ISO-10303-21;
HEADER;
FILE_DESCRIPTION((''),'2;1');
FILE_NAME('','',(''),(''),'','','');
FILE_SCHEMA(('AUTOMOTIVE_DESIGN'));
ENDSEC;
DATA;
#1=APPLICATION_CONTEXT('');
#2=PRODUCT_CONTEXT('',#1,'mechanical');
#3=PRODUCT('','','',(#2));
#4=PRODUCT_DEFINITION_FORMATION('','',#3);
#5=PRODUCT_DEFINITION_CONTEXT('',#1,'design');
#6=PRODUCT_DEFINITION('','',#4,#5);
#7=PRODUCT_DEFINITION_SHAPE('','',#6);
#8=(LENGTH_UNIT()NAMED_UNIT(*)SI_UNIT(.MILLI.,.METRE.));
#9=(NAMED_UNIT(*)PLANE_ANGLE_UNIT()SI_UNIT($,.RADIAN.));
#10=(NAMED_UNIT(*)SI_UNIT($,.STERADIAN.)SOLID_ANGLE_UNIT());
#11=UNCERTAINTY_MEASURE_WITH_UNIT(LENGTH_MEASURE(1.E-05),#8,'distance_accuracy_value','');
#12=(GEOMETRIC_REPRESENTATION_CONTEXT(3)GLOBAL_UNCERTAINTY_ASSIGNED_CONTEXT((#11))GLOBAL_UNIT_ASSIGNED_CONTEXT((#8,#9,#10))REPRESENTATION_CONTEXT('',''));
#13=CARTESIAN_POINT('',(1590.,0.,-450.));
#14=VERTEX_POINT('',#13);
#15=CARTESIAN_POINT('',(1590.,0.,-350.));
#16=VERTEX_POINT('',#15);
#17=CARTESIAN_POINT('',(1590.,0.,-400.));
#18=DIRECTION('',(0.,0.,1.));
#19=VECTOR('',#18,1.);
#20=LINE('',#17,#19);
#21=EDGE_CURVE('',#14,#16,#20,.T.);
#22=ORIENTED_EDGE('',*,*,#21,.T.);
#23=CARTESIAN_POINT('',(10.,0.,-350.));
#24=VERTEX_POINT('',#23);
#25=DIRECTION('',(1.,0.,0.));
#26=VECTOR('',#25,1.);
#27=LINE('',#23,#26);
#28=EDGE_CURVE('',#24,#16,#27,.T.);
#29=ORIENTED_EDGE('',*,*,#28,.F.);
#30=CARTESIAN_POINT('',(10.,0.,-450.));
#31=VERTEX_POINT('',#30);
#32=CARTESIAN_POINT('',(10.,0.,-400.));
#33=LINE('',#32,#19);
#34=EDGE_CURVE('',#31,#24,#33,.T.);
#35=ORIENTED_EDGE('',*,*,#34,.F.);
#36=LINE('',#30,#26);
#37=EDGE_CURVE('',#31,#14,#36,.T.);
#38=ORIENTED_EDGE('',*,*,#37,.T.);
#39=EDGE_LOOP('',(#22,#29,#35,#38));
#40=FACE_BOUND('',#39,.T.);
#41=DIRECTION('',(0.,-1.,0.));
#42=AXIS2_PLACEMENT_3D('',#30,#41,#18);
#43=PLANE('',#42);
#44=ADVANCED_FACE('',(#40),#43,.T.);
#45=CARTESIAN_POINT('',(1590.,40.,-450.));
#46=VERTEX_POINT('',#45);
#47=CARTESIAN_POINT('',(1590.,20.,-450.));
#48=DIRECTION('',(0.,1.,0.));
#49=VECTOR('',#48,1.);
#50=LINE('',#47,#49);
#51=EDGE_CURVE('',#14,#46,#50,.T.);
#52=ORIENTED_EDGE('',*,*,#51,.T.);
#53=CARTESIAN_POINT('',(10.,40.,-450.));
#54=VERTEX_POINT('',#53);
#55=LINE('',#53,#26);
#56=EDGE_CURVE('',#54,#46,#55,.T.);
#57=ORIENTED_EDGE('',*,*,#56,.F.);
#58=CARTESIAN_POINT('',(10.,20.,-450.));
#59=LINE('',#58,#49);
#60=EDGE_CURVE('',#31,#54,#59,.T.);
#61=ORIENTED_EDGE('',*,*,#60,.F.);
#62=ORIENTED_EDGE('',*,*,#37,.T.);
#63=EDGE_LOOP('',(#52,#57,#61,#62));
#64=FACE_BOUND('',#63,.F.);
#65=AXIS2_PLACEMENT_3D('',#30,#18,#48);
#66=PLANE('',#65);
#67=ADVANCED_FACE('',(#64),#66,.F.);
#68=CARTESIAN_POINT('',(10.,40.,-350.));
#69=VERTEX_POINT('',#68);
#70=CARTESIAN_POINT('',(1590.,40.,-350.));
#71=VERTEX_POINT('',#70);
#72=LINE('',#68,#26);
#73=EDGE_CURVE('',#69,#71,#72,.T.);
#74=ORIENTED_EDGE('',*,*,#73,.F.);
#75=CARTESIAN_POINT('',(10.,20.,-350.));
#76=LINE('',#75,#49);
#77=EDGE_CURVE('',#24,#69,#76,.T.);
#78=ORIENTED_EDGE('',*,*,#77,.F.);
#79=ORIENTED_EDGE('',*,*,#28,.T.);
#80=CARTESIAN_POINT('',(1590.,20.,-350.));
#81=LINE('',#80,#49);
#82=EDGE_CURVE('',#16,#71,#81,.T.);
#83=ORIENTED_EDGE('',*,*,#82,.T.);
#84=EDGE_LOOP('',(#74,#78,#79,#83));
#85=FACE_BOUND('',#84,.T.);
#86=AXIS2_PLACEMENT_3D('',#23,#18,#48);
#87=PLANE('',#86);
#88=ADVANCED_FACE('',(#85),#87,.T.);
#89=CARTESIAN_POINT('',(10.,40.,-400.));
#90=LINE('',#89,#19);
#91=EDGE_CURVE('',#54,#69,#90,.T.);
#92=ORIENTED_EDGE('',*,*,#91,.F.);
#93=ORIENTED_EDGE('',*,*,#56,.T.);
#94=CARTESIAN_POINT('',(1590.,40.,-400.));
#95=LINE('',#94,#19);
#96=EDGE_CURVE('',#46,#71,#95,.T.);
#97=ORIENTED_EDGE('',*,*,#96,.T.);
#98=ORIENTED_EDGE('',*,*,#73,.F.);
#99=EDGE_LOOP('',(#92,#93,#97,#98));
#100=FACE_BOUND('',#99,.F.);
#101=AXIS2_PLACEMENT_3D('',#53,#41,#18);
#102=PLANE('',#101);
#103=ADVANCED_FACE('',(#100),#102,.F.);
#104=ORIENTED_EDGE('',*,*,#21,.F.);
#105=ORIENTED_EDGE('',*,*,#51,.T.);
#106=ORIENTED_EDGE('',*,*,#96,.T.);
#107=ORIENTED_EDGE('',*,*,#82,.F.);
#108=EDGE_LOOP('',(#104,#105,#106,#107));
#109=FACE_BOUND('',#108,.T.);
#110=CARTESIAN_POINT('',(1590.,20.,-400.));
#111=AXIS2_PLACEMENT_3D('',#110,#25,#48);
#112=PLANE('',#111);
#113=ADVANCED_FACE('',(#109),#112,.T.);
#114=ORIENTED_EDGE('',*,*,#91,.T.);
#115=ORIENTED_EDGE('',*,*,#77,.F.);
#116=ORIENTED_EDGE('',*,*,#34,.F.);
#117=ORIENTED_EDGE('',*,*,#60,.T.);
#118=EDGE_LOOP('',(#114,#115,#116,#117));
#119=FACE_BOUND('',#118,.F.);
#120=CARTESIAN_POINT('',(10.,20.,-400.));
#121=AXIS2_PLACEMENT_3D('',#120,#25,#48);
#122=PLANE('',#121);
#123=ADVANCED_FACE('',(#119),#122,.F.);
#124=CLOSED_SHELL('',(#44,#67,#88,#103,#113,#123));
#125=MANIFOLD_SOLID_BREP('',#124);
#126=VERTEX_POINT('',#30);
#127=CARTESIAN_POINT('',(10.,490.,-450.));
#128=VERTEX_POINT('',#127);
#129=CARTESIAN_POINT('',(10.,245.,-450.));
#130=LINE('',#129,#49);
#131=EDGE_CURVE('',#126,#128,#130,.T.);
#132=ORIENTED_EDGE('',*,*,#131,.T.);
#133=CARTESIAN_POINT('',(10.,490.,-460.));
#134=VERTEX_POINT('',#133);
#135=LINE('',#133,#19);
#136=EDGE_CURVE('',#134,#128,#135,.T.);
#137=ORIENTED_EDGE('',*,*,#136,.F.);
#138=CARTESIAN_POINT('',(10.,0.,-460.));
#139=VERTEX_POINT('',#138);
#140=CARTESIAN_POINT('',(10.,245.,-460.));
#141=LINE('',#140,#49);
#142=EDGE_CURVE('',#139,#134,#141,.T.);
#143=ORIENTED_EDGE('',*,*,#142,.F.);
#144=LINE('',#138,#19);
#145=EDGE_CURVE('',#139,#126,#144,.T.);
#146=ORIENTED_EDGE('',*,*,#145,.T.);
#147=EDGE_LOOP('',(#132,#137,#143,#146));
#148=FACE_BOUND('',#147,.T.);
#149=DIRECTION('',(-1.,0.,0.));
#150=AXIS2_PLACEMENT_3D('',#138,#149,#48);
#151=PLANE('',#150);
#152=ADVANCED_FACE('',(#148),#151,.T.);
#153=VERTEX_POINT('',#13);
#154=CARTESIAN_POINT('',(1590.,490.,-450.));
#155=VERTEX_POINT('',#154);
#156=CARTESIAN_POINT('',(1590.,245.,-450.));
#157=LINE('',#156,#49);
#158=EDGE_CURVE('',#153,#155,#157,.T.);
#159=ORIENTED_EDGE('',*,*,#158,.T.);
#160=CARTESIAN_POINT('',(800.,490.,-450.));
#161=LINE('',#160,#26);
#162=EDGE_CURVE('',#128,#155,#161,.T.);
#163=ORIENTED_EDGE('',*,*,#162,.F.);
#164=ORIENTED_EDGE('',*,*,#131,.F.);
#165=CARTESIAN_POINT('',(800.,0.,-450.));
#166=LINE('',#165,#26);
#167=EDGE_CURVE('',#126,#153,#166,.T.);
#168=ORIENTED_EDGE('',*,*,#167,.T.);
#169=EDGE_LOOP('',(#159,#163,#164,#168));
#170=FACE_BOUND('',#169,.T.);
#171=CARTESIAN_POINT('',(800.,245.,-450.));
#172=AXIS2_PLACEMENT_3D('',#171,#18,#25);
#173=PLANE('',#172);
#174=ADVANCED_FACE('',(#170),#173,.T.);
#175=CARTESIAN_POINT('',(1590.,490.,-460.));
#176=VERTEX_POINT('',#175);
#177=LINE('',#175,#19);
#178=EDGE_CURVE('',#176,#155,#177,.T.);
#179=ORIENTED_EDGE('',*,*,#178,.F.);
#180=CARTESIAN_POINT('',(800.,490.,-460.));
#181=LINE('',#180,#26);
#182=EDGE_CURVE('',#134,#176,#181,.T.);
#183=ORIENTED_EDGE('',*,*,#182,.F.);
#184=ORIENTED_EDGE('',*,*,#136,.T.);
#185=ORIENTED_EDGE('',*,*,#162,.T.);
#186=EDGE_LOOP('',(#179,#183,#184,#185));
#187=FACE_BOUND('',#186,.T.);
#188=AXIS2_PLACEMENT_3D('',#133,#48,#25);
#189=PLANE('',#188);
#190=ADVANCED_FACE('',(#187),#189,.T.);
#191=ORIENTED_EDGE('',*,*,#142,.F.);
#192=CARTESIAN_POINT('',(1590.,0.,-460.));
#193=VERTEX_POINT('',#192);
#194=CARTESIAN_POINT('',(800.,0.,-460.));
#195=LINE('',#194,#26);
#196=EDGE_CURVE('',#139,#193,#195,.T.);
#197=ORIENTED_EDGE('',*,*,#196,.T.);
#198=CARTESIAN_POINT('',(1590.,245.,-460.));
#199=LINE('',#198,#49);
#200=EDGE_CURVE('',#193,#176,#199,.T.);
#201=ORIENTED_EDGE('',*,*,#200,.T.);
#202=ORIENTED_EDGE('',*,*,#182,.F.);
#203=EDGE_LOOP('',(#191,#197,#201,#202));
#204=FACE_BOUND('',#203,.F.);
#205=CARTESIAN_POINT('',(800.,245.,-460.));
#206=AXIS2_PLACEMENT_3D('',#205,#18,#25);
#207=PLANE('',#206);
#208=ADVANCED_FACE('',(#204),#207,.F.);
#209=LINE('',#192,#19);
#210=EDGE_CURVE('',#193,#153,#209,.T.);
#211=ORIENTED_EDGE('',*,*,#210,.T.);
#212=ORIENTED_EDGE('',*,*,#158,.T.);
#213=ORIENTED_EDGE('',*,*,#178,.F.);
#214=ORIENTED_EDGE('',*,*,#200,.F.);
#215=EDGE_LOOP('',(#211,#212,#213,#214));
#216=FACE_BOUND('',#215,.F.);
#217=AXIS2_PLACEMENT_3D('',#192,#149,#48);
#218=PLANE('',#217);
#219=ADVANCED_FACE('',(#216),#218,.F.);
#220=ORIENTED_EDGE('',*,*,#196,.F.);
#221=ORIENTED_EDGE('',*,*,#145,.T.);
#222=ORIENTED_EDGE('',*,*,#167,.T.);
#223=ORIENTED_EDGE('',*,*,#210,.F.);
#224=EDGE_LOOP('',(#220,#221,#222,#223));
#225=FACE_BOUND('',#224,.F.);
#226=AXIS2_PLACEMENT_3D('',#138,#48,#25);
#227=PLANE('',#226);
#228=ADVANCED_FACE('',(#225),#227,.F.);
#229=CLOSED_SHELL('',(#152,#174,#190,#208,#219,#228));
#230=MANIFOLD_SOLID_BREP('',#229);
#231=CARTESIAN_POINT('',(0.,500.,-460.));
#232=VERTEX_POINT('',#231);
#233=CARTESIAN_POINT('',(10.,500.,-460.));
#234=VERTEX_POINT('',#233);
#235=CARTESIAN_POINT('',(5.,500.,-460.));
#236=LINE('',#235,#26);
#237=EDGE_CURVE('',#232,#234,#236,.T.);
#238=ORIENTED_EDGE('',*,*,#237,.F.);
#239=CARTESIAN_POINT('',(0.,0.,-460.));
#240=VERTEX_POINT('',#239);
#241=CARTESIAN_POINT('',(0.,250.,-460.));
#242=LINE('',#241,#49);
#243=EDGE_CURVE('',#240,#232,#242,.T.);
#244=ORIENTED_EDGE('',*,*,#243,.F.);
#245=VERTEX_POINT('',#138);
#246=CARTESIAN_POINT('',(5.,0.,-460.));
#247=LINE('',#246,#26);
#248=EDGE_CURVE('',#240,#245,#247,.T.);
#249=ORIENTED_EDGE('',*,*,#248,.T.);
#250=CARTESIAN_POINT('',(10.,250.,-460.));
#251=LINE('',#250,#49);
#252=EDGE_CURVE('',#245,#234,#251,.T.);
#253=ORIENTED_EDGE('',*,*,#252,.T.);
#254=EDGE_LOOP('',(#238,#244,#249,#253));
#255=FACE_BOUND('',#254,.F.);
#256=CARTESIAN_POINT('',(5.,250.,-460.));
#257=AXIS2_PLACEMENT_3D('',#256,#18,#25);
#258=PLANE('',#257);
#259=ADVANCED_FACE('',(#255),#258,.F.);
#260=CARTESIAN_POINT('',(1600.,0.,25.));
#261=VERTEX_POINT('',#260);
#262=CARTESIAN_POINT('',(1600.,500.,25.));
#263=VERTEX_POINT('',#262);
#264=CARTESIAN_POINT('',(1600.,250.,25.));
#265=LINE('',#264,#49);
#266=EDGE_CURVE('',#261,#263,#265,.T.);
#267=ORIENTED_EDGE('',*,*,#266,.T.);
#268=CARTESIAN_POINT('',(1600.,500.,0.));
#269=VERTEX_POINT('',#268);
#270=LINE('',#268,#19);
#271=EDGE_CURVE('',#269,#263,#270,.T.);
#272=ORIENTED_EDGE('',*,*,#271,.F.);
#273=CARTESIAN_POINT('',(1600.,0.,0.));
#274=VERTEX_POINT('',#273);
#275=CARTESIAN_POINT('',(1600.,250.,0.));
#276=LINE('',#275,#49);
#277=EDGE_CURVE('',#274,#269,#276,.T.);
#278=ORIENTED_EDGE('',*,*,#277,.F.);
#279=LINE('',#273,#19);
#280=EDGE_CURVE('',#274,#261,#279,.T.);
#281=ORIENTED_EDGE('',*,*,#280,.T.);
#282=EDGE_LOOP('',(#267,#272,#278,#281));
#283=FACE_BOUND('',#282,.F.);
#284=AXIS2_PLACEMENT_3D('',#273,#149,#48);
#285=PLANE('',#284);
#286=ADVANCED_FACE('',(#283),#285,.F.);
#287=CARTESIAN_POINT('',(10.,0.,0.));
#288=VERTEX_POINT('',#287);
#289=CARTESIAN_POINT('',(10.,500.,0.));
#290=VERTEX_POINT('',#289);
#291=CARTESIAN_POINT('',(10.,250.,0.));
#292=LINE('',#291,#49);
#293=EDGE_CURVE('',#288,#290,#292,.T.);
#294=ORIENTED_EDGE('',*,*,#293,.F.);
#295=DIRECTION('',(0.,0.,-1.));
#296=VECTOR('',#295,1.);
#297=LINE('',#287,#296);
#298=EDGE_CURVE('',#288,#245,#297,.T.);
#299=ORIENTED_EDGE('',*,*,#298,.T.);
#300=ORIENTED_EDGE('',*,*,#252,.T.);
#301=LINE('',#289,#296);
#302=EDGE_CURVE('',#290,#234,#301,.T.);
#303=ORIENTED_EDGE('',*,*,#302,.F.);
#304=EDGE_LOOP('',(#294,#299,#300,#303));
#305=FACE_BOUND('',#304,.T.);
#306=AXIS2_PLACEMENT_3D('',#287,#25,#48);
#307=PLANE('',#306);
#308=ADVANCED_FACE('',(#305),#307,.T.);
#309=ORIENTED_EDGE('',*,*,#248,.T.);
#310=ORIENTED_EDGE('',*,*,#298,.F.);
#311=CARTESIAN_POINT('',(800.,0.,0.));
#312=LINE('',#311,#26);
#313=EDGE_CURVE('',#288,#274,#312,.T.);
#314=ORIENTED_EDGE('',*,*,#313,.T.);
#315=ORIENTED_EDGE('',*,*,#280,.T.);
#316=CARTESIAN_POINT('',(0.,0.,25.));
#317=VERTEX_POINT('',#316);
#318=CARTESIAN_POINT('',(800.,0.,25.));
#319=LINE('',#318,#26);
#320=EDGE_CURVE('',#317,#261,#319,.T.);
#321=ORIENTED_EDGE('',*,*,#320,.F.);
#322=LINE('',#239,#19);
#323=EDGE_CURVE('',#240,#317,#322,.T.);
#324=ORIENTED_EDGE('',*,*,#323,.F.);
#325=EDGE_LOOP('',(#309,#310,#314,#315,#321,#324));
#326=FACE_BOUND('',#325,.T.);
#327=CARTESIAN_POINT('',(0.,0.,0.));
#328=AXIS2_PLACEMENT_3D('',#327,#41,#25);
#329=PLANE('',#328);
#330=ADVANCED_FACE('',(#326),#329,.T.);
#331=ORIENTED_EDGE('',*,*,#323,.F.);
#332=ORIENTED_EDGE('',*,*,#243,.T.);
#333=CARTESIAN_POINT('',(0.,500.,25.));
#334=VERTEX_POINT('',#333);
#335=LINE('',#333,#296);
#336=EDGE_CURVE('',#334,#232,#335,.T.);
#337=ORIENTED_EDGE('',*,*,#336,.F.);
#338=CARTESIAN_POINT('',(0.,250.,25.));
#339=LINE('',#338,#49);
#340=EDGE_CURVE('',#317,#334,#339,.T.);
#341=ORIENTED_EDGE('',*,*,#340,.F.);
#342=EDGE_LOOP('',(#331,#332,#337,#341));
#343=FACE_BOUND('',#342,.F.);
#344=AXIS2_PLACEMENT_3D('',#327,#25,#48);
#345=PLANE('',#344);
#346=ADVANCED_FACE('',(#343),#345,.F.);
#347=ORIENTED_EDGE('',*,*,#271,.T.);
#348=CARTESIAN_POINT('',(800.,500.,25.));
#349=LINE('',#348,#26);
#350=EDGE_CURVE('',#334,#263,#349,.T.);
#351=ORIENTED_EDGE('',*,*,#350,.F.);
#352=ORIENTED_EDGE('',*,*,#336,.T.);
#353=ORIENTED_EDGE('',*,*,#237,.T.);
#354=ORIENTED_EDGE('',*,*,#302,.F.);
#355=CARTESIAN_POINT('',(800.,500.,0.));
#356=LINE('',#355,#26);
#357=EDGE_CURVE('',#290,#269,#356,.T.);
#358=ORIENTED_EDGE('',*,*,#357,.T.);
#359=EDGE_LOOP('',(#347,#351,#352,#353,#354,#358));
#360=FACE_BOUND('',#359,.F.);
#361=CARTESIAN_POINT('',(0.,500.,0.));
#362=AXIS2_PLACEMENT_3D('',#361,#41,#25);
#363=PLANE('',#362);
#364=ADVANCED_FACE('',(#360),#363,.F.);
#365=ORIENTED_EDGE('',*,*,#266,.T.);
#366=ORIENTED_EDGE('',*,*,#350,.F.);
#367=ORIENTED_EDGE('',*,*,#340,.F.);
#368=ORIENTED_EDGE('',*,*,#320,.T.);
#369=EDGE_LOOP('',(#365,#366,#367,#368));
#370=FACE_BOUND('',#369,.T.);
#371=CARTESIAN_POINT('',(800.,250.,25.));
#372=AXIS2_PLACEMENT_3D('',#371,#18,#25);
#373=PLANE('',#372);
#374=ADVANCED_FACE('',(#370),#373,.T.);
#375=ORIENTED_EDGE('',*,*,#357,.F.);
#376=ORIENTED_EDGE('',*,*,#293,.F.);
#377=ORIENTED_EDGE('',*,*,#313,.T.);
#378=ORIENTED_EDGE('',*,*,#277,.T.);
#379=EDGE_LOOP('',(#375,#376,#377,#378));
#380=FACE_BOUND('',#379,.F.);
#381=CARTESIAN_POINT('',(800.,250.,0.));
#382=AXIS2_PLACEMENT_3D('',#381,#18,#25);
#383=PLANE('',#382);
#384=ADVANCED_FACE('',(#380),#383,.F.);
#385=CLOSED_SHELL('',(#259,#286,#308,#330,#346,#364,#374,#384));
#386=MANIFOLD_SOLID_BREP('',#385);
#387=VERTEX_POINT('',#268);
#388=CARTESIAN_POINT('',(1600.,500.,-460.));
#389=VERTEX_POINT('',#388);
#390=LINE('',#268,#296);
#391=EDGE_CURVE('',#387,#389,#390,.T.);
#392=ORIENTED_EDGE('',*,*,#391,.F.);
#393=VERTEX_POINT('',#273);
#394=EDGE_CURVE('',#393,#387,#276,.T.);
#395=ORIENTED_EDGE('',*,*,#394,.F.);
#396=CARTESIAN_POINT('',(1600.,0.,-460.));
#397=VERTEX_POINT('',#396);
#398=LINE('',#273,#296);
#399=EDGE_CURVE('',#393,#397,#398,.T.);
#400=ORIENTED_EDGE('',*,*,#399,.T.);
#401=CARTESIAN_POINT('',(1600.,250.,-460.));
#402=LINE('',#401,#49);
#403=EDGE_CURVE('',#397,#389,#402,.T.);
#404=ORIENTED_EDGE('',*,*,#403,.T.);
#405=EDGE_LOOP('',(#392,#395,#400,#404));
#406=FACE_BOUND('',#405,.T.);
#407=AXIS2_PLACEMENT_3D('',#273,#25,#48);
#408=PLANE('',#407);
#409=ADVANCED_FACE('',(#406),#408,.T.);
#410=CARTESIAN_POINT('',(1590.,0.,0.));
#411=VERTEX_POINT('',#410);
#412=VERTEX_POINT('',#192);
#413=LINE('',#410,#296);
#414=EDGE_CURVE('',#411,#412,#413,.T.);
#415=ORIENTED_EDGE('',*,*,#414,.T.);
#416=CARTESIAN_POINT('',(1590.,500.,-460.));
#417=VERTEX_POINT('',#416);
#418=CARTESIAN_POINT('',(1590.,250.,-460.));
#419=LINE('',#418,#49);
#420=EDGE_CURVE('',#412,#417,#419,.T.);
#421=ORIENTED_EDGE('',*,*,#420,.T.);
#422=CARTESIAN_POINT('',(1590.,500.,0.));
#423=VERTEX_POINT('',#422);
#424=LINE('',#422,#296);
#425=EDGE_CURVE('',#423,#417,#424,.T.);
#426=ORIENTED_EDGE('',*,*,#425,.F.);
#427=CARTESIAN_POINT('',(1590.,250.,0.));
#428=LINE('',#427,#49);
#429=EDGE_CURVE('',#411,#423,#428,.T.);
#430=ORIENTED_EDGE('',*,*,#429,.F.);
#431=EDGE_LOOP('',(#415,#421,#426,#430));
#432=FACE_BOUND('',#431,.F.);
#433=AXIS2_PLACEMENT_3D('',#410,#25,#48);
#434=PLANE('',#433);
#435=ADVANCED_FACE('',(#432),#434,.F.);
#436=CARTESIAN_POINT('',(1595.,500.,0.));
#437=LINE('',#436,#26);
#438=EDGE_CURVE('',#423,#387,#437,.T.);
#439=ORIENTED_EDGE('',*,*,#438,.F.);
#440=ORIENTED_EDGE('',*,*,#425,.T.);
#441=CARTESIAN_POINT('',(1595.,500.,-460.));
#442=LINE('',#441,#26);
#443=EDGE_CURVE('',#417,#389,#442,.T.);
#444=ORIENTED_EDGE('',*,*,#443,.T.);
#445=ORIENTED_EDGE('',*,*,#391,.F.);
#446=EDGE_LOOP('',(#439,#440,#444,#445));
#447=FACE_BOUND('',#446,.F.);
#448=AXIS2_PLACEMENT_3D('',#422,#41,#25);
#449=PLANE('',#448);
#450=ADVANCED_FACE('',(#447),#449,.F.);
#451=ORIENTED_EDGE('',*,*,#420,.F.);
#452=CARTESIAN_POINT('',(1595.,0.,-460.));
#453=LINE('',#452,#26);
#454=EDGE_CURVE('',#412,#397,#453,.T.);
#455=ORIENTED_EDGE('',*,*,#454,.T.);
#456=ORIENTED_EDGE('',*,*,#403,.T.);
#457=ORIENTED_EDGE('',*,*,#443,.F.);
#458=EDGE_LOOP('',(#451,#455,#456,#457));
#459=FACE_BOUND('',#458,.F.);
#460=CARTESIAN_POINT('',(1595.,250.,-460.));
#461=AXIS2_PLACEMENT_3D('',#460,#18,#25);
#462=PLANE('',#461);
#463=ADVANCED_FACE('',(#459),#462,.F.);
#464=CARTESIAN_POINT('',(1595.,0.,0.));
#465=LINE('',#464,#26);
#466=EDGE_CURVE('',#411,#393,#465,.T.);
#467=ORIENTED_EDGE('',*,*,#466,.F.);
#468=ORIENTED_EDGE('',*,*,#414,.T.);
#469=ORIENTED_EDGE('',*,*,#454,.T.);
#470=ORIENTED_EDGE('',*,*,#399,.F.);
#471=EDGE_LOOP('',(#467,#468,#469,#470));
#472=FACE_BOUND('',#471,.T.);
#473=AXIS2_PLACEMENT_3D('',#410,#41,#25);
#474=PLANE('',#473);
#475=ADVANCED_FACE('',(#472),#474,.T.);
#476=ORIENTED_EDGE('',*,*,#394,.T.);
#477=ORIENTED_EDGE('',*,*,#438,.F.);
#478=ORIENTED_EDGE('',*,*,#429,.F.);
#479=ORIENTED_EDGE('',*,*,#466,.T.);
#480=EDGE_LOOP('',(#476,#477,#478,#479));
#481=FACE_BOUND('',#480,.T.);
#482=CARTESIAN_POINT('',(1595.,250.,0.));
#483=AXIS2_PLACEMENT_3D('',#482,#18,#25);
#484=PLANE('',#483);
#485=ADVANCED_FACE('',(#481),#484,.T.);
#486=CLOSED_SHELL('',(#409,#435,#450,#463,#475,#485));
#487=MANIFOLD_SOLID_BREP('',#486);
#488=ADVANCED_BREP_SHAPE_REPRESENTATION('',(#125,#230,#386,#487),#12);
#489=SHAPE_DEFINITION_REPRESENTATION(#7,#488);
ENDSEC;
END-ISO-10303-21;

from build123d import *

# Parameters (mm, degrees)
F0_W      = 1600
F0_H      = 500
F1_DEPTH  = 25
F3_W      = 1580
F3_H      = 490
F4_DEPTH  = 10
F5_W      = 10
F5_H      = 500
F6_DEPTH  = 460
F7_W      = 10
F7_H      = 500
F8_DEPTH  = 460
F9_W      = 40
F9_H      = 100
F10_DEPTH = 1580


with BuildPart() as f1:
    # F0 (on Top) → F1 (new body)
    with BuildSketch(Plane.XY):
        with Locations((800, 250)):
            Rectangle(F0_W, F0_H)
    extrude(amount=F1_DEPTH)

    # F5 (on face) → F6 (join, through all)
    with BuildSketch(Plane.XY):
        with Locations((5, 250)):
            Rectangle(F5_W, F5_H)
    extrude(amount=-F6_DEPTH)


with BuildPart() as f4:
    # F3 (on offset) → F4 (new body)
    with BuildSketch(Plane.XY.offset(-460)):
        with Locations((800, 245)):
            Rectangle(F3_W, F3_H)
    extrude(amount=F4_DEPTH)


with BuildPart() as f8:
    # F7 (on face) → F8 (new body, through all)
    with BuildSketch(Plane.XY):
        with Locations((1595, 250)):
            Rectangle(F7_W, F7_H)
    extrude(amount=-F8_DEPTH)


with BuildPart() as f10:
    # F9 (on face) → F10 (new body, through all)
    with BuildSketch(Plane.YZ.offset(10)):
        with Locations((20, -400)):
            Rectangle(F9_W, F9_H)
    extrude(amount=F10_DEPTH)


solid = Compound([f1.part, f4.part, f8.part, f10.part])
